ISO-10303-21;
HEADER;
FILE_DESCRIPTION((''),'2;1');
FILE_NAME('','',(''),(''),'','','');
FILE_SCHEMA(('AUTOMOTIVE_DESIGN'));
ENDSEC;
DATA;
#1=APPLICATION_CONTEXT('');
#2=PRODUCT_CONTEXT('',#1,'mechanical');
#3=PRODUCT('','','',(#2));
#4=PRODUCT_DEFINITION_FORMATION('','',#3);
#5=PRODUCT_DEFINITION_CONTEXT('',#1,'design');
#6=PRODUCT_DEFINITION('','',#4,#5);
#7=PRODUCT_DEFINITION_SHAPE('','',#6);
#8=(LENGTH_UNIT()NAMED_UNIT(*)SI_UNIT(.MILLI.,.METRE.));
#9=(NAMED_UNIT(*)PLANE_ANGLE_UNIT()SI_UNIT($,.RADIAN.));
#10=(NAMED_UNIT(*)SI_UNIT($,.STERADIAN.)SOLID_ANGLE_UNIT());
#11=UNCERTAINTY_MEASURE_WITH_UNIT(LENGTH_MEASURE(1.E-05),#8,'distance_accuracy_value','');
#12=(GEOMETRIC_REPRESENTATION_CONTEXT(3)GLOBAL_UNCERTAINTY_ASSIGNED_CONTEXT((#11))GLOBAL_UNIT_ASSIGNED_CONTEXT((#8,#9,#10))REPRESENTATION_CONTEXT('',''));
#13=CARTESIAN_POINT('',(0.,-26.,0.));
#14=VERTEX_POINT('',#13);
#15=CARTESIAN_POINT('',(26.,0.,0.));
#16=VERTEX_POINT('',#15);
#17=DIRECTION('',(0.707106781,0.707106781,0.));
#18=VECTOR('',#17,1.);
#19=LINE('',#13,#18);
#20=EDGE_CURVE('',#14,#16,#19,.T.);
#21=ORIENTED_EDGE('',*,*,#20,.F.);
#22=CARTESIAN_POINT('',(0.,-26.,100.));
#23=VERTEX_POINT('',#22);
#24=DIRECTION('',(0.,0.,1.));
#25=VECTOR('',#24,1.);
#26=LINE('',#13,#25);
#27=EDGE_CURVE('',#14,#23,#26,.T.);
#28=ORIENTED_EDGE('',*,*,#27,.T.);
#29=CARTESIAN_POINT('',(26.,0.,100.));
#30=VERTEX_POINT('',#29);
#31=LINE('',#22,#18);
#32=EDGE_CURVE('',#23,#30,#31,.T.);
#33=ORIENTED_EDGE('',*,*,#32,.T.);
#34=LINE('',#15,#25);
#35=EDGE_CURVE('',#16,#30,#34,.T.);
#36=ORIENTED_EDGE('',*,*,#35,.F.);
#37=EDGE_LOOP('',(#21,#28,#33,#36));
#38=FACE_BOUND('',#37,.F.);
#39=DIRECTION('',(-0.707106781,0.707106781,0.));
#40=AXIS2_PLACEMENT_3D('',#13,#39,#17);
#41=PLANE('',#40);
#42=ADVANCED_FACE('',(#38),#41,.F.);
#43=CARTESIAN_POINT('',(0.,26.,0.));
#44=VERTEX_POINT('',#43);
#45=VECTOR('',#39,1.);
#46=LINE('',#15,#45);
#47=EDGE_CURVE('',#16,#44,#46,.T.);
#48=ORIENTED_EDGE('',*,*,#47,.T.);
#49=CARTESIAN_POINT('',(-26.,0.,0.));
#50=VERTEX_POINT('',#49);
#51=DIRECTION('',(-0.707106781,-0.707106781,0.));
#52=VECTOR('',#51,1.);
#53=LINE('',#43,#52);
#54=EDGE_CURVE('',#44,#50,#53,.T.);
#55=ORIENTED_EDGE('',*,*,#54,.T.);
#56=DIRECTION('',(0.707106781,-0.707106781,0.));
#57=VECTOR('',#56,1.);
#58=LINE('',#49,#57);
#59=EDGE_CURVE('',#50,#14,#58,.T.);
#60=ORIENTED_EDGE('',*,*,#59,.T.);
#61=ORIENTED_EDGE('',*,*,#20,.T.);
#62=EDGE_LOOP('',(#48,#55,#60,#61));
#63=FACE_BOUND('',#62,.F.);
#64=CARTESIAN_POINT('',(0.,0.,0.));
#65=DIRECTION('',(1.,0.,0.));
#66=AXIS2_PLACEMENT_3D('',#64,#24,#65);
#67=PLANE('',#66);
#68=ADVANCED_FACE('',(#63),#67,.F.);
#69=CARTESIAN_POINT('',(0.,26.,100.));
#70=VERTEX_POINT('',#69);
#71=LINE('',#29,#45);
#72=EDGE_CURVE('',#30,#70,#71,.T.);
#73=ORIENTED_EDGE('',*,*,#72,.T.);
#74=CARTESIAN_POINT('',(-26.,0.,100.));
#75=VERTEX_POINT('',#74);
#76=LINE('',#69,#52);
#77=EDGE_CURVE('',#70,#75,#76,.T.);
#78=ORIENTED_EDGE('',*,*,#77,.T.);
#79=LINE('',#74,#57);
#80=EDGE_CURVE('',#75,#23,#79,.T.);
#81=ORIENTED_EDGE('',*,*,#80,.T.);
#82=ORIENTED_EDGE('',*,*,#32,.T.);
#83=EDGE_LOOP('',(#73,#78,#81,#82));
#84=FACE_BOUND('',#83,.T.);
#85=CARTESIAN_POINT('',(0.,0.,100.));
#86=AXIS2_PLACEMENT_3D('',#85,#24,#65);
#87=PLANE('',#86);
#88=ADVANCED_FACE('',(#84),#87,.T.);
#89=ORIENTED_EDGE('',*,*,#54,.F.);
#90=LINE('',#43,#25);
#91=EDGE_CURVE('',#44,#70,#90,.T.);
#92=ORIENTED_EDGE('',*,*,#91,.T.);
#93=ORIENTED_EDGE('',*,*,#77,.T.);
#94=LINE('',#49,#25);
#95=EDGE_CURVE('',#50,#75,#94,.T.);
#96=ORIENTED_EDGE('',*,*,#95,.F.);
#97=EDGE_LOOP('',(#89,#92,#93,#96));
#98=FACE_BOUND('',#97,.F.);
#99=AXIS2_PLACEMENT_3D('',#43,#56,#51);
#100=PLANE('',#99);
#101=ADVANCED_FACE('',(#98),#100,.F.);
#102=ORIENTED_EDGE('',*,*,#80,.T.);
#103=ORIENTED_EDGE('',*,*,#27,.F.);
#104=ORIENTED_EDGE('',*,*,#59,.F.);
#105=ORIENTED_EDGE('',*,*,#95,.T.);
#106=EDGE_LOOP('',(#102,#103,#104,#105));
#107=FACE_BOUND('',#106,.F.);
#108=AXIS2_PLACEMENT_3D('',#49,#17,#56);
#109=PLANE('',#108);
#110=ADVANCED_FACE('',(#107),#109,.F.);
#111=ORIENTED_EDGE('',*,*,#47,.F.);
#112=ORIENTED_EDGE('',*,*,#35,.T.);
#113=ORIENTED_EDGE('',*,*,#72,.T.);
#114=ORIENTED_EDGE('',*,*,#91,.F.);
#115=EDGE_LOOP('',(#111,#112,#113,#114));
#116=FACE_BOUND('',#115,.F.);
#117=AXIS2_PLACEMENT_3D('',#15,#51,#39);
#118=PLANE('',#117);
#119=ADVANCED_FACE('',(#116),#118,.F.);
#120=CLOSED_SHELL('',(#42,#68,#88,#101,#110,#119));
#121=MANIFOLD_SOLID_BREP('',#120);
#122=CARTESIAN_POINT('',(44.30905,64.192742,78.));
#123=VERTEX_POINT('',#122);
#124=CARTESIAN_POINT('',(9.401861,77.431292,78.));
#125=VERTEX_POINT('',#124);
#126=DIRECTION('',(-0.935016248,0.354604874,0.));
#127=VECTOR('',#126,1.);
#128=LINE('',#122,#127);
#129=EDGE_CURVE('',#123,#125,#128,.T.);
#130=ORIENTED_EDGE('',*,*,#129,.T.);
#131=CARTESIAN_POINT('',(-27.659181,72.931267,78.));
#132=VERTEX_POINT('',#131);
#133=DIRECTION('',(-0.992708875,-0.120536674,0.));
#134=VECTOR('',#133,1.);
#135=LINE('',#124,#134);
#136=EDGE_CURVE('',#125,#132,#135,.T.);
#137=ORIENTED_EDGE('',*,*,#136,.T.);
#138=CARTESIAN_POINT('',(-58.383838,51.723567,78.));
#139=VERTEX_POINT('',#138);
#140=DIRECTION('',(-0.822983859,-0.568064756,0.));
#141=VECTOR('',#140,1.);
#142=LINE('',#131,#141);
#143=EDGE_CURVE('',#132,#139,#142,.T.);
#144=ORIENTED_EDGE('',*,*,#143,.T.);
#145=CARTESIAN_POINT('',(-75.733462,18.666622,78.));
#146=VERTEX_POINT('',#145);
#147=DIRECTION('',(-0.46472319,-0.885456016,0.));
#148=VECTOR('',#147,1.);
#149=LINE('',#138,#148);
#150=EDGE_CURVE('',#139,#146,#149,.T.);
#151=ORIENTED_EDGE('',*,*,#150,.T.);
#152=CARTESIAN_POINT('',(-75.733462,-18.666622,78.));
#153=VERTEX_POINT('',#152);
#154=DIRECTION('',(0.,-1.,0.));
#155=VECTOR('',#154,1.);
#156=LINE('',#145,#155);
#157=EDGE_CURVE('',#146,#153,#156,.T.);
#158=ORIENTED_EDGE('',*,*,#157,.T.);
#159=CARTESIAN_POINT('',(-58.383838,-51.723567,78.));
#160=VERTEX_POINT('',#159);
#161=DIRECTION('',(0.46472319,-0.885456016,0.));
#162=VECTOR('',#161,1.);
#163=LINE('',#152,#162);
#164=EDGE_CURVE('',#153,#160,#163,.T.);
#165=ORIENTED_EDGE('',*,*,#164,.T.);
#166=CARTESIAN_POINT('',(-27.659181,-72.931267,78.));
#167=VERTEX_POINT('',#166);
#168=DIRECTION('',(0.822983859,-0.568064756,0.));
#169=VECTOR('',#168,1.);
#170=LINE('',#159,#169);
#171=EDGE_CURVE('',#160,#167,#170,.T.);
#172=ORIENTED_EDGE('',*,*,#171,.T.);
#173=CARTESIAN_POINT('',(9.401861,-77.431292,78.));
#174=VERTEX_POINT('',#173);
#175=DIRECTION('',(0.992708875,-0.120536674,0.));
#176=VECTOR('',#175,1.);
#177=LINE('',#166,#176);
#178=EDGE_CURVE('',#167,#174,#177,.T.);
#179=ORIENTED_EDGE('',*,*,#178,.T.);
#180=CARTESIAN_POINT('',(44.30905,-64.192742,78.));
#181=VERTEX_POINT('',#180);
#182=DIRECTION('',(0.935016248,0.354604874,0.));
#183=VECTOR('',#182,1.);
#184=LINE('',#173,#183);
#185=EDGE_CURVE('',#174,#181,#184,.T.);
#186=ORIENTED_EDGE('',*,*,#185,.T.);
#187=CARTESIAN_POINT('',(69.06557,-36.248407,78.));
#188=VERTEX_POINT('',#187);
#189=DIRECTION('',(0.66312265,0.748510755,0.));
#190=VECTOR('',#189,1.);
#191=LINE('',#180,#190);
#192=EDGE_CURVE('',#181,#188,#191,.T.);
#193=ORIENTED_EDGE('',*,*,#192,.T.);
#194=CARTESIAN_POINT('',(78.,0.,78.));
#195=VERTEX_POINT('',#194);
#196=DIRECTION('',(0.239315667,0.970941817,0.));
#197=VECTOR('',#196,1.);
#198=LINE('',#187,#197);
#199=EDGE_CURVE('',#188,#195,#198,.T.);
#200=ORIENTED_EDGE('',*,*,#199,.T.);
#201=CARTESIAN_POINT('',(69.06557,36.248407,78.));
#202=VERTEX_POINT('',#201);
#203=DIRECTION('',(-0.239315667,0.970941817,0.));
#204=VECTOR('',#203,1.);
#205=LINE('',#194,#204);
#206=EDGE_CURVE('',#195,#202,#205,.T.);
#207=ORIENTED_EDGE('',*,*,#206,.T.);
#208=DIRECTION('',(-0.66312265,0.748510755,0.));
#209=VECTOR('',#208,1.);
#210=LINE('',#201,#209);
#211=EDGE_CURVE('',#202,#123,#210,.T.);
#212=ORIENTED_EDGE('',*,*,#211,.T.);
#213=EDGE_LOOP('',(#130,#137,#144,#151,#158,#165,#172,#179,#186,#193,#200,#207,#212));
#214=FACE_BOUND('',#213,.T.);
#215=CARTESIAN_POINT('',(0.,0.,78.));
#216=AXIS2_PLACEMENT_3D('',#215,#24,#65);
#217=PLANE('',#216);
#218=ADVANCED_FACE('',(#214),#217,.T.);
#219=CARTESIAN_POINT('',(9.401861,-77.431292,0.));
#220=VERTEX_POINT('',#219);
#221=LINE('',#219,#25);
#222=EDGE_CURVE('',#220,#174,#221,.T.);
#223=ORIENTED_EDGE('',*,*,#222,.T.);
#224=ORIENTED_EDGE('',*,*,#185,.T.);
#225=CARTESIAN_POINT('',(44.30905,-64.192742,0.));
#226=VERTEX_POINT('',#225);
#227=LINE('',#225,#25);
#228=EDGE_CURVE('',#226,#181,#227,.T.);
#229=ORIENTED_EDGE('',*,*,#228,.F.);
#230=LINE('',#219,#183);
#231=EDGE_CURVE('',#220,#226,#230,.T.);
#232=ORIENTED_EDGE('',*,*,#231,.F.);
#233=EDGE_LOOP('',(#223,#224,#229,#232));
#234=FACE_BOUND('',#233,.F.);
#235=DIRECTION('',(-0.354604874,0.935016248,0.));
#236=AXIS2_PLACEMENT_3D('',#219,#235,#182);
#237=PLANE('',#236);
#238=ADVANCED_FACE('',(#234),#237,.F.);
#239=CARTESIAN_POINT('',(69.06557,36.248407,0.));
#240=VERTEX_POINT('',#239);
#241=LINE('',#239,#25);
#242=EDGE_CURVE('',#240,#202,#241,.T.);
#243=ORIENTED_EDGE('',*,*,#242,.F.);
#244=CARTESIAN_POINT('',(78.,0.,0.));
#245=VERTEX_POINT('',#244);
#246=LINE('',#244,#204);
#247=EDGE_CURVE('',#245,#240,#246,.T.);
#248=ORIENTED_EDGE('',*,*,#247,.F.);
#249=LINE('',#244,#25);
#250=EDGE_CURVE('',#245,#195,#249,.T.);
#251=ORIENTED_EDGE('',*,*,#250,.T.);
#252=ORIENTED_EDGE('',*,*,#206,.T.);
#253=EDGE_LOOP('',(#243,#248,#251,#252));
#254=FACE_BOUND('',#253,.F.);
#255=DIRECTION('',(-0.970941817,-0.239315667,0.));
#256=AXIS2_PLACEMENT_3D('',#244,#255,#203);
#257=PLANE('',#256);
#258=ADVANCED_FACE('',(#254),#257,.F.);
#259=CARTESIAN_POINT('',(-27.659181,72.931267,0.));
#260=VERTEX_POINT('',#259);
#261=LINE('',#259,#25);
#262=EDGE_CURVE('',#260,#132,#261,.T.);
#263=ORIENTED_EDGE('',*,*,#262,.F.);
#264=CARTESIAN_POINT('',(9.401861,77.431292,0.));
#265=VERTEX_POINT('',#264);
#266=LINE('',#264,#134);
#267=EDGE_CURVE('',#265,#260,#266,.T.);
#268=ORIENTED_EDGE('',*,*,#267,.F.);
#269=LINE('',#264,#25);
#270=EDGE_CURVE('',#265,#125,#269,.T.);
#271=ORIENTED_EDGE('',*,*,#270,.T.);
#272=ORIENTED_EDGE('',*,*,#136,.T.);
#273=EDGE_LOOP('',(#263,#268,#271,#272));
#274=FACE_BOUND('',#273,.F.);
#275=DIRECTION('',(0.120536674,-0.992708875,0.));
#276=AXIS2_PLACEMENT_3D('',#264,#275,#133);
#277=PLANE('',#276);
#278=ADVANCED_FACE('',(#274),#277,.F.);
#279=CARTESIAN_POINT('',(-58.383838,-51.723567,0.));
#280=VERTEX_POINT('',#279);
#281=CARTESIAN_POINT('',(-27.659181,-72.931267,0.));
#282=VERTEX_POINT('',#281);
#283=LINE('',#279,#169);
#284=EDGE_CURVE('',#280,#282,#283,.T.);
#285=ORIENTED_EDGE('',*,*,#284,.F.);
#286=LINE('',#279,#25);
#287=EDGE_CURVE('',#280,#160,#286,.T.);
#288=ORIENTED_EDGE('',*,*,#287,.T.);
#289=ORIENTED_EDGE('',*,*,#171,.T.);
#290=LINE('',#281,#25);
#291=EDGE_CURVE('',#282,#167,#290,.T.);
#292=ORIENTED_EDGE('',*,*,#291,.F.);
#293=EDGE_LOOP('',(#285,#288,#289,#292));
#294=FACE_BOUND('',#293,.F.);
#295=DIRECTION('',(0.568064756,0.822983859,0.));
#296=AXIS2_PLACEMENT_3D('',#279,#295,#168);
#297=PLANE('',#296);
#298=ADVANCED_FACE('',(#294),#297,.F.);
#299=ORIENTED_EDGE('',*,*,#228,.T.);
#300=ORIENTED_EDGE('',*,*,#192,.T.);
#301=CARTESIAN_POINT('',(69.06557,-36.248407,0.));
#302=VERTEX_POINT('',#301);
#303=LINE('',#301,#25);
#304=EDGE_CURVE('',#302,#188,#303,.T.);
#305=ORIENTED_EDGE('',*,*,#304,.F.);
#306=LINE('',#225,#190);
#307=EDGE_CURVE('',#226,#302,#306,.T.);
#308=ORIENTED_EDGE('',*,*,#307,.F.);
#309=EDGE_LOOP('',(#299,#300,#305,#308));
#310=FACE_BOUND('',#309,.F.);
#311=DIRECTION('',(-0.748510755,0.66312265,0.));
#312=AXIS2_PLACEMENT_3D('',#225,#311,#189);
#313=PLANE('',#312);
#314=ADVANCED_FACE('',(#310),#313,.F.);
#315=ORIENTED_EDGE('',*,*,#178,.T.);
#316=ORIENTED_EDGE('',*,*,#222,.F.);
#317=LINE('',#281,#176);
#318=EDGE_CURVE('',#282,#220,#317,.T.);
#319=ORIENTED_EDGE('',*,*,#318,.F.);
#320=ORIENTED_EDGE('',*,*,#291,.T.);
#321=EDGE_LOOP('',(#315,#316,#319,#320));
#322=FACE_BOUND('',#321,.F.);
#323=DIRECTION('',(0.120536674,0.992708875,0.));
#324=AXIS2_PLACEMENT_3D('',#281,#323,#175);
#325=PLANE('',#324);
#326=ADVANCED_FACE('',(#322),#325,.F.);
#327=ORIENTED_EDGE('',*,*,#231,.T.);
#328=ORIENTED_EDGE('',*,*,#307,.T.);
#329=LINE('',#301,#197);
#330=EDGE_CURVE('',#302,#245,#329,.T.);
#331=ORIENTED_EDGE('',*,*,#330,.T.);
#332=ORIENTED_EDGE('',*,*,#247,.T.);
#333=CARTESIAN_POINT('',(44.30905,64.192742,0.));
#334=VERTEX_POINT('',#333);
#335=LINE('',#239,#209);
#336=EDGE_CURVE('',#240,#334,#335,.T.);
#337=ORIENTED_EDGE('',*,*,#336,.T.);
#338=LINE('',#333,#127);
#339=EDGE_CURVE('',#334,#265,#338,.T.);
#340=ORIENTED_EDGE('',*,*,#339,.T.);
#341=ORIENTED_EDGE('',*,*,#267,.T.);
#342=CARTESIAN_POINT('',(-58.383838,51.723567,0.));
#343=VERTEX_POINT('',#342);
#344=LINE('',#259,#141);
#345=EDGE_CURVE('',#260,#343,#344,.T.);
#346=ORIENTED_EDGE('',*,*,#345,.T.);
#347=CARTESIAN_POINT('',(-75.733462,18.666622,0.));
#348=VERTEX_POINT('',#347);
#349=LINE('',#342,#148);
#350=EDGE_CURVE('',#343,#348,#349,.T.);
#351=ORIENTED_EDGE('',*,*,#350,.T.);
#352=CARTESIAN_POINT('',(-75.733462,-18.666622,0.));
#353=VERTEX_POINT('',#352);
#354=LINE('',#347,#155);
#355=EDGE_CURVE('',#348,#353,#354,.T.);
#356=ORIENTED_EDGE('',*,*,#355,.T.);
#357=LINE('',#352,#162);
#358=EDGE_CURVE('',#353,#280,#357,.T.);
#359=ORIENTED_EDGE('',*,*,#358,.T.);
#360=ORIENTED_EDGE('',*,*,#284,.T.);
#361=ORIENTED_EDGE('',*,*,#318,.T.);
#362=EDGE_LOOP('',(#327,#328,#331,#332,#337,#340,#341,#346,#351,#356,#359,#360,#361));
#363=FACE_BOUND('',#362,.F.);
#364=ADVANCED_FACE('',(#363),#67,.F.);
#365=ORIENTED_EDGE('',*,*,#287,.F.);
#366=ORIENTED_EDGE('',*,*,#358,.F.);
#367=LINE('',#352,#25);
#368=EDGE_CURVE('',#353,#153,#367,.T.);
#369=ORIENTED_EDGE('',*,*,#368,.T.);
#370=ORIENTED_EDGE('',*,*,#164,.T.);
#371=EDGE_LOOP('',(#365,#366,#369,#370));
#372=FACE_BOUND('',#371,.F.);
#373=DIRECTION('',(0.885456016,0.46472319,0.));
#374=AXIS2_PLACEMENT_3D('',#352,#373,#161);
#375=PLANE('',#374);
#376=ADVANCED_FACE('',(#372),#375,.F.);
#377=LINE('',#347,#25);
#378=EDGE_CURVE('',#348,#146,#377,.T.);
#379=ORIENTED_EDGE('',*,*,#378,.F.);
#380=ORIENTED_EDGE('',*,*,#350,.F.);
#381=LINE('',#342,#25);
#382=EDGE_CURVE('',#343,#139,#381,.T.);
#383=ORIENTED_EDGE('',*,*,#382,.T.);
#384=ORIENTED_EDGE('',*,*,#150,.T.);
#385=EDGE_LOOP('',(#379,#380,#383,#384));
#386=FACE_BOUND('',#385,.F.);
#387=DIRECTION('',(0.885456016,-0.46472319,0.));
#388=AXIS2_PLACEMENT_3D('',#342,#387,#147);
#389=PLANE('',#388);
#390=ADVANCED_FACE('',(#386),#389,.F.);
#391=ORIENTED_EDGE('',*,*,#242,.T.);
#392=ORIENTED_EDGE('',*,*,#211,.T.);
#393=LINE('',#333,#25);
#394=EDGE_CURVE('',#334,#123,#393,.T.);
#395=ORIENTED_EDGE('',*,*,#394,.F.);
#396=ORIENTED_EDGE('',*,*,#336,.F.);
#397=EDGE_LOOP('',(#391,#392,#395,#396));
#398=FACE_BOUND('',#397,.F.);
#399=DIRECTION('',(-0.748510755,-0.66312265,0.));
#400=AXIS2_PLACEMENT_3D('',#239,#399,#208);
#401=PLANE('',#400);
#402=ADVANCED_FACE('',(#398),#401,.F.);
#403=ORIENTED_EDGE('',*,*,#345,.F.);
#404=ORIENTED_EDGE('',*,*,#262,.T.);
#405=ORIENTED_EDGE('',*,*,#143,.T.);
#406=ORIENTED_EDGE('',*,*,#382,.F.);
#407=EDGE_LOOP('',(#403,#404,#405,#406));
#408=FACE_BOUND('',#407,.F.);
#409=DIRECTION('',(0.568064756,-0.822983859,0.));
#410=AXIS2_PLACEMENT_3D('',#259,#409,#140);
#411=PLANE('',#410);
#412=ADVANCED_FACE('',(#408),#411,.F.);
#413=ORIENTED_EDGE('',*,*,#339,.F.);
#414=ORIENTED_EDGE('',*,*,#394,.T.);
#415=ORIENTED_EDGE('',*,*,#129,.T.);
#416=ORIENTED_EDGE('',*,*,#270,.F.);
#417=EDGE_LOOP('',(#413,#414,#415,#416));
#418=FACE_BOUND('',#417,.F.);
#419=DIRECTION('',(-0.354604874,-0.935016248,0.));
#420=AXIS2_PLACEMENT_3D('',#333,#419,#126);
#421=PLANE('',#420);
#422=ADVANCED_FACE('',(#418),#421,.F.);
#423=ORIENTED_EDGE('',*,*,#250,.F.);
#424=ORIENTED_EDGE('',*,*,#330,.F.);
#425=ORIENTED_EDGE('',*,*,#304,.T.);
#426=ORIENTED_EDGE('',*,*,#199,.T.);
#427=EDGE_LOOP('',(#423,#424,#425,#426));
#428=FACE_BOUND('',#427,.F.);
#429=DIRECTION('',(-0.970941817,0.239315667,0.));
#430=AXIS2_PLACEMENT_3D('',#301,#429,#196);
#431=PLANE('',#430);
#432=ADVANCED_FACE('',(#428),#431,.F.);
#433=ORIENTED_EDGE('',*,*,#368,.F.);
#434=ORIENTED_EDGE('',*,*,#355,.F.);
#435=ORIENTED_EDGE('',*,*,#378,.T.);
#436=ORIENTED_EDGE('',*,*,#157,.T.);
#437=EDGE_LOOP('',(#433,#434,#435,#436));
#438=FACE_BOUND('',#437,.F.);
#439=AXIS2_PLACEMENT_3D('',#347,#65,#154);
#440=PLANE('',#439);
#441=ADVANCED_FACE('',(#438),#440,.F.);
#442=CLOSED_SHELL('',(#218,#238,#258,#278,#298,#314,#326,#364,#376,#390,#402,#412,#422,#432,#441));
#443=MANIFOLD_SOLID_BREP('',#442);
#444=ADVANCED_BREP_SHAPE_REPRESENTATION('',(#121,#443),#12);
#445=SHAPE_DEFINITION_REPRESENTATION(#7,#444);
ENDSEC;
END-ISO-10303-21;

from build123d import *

# Parameters (mm, degrees)
PRISM_DEPTH    = 78
PRISM002_DEPTH = 100


with BuildPart() as prism:
    # Prism → Prism (new body)
    with BuildSketch(Plane.XY):
        Polygon((78, 0), (69.06557, 36.248407), (44.30905, 64.192742), (9.401861, 77.431292), (-27.659181, 72.931267), (-58.383838, 51.723567), (-75.733462, 18.666622), (-75.733462, -18.666622), (-58.383838, -51.723567), (-27.659181, -72.931267), (9.401861, -77.431292), (44.30905, -64.192742), (69.06557, -36.248407), align=None)
    extrude(amount=PRISM_DEPTH)


with BuildPart() as prism002:
    # Prism002 → Prism002 (new body)
    with BuildSketch(Plane.XY):
        Polygon((26, 0), (0, 26), (-26, 0), (0, -26), align=None)
    extrude(amount=PRISM002_DEPTH)


solid = Compound([prism.part, prism002.part])
